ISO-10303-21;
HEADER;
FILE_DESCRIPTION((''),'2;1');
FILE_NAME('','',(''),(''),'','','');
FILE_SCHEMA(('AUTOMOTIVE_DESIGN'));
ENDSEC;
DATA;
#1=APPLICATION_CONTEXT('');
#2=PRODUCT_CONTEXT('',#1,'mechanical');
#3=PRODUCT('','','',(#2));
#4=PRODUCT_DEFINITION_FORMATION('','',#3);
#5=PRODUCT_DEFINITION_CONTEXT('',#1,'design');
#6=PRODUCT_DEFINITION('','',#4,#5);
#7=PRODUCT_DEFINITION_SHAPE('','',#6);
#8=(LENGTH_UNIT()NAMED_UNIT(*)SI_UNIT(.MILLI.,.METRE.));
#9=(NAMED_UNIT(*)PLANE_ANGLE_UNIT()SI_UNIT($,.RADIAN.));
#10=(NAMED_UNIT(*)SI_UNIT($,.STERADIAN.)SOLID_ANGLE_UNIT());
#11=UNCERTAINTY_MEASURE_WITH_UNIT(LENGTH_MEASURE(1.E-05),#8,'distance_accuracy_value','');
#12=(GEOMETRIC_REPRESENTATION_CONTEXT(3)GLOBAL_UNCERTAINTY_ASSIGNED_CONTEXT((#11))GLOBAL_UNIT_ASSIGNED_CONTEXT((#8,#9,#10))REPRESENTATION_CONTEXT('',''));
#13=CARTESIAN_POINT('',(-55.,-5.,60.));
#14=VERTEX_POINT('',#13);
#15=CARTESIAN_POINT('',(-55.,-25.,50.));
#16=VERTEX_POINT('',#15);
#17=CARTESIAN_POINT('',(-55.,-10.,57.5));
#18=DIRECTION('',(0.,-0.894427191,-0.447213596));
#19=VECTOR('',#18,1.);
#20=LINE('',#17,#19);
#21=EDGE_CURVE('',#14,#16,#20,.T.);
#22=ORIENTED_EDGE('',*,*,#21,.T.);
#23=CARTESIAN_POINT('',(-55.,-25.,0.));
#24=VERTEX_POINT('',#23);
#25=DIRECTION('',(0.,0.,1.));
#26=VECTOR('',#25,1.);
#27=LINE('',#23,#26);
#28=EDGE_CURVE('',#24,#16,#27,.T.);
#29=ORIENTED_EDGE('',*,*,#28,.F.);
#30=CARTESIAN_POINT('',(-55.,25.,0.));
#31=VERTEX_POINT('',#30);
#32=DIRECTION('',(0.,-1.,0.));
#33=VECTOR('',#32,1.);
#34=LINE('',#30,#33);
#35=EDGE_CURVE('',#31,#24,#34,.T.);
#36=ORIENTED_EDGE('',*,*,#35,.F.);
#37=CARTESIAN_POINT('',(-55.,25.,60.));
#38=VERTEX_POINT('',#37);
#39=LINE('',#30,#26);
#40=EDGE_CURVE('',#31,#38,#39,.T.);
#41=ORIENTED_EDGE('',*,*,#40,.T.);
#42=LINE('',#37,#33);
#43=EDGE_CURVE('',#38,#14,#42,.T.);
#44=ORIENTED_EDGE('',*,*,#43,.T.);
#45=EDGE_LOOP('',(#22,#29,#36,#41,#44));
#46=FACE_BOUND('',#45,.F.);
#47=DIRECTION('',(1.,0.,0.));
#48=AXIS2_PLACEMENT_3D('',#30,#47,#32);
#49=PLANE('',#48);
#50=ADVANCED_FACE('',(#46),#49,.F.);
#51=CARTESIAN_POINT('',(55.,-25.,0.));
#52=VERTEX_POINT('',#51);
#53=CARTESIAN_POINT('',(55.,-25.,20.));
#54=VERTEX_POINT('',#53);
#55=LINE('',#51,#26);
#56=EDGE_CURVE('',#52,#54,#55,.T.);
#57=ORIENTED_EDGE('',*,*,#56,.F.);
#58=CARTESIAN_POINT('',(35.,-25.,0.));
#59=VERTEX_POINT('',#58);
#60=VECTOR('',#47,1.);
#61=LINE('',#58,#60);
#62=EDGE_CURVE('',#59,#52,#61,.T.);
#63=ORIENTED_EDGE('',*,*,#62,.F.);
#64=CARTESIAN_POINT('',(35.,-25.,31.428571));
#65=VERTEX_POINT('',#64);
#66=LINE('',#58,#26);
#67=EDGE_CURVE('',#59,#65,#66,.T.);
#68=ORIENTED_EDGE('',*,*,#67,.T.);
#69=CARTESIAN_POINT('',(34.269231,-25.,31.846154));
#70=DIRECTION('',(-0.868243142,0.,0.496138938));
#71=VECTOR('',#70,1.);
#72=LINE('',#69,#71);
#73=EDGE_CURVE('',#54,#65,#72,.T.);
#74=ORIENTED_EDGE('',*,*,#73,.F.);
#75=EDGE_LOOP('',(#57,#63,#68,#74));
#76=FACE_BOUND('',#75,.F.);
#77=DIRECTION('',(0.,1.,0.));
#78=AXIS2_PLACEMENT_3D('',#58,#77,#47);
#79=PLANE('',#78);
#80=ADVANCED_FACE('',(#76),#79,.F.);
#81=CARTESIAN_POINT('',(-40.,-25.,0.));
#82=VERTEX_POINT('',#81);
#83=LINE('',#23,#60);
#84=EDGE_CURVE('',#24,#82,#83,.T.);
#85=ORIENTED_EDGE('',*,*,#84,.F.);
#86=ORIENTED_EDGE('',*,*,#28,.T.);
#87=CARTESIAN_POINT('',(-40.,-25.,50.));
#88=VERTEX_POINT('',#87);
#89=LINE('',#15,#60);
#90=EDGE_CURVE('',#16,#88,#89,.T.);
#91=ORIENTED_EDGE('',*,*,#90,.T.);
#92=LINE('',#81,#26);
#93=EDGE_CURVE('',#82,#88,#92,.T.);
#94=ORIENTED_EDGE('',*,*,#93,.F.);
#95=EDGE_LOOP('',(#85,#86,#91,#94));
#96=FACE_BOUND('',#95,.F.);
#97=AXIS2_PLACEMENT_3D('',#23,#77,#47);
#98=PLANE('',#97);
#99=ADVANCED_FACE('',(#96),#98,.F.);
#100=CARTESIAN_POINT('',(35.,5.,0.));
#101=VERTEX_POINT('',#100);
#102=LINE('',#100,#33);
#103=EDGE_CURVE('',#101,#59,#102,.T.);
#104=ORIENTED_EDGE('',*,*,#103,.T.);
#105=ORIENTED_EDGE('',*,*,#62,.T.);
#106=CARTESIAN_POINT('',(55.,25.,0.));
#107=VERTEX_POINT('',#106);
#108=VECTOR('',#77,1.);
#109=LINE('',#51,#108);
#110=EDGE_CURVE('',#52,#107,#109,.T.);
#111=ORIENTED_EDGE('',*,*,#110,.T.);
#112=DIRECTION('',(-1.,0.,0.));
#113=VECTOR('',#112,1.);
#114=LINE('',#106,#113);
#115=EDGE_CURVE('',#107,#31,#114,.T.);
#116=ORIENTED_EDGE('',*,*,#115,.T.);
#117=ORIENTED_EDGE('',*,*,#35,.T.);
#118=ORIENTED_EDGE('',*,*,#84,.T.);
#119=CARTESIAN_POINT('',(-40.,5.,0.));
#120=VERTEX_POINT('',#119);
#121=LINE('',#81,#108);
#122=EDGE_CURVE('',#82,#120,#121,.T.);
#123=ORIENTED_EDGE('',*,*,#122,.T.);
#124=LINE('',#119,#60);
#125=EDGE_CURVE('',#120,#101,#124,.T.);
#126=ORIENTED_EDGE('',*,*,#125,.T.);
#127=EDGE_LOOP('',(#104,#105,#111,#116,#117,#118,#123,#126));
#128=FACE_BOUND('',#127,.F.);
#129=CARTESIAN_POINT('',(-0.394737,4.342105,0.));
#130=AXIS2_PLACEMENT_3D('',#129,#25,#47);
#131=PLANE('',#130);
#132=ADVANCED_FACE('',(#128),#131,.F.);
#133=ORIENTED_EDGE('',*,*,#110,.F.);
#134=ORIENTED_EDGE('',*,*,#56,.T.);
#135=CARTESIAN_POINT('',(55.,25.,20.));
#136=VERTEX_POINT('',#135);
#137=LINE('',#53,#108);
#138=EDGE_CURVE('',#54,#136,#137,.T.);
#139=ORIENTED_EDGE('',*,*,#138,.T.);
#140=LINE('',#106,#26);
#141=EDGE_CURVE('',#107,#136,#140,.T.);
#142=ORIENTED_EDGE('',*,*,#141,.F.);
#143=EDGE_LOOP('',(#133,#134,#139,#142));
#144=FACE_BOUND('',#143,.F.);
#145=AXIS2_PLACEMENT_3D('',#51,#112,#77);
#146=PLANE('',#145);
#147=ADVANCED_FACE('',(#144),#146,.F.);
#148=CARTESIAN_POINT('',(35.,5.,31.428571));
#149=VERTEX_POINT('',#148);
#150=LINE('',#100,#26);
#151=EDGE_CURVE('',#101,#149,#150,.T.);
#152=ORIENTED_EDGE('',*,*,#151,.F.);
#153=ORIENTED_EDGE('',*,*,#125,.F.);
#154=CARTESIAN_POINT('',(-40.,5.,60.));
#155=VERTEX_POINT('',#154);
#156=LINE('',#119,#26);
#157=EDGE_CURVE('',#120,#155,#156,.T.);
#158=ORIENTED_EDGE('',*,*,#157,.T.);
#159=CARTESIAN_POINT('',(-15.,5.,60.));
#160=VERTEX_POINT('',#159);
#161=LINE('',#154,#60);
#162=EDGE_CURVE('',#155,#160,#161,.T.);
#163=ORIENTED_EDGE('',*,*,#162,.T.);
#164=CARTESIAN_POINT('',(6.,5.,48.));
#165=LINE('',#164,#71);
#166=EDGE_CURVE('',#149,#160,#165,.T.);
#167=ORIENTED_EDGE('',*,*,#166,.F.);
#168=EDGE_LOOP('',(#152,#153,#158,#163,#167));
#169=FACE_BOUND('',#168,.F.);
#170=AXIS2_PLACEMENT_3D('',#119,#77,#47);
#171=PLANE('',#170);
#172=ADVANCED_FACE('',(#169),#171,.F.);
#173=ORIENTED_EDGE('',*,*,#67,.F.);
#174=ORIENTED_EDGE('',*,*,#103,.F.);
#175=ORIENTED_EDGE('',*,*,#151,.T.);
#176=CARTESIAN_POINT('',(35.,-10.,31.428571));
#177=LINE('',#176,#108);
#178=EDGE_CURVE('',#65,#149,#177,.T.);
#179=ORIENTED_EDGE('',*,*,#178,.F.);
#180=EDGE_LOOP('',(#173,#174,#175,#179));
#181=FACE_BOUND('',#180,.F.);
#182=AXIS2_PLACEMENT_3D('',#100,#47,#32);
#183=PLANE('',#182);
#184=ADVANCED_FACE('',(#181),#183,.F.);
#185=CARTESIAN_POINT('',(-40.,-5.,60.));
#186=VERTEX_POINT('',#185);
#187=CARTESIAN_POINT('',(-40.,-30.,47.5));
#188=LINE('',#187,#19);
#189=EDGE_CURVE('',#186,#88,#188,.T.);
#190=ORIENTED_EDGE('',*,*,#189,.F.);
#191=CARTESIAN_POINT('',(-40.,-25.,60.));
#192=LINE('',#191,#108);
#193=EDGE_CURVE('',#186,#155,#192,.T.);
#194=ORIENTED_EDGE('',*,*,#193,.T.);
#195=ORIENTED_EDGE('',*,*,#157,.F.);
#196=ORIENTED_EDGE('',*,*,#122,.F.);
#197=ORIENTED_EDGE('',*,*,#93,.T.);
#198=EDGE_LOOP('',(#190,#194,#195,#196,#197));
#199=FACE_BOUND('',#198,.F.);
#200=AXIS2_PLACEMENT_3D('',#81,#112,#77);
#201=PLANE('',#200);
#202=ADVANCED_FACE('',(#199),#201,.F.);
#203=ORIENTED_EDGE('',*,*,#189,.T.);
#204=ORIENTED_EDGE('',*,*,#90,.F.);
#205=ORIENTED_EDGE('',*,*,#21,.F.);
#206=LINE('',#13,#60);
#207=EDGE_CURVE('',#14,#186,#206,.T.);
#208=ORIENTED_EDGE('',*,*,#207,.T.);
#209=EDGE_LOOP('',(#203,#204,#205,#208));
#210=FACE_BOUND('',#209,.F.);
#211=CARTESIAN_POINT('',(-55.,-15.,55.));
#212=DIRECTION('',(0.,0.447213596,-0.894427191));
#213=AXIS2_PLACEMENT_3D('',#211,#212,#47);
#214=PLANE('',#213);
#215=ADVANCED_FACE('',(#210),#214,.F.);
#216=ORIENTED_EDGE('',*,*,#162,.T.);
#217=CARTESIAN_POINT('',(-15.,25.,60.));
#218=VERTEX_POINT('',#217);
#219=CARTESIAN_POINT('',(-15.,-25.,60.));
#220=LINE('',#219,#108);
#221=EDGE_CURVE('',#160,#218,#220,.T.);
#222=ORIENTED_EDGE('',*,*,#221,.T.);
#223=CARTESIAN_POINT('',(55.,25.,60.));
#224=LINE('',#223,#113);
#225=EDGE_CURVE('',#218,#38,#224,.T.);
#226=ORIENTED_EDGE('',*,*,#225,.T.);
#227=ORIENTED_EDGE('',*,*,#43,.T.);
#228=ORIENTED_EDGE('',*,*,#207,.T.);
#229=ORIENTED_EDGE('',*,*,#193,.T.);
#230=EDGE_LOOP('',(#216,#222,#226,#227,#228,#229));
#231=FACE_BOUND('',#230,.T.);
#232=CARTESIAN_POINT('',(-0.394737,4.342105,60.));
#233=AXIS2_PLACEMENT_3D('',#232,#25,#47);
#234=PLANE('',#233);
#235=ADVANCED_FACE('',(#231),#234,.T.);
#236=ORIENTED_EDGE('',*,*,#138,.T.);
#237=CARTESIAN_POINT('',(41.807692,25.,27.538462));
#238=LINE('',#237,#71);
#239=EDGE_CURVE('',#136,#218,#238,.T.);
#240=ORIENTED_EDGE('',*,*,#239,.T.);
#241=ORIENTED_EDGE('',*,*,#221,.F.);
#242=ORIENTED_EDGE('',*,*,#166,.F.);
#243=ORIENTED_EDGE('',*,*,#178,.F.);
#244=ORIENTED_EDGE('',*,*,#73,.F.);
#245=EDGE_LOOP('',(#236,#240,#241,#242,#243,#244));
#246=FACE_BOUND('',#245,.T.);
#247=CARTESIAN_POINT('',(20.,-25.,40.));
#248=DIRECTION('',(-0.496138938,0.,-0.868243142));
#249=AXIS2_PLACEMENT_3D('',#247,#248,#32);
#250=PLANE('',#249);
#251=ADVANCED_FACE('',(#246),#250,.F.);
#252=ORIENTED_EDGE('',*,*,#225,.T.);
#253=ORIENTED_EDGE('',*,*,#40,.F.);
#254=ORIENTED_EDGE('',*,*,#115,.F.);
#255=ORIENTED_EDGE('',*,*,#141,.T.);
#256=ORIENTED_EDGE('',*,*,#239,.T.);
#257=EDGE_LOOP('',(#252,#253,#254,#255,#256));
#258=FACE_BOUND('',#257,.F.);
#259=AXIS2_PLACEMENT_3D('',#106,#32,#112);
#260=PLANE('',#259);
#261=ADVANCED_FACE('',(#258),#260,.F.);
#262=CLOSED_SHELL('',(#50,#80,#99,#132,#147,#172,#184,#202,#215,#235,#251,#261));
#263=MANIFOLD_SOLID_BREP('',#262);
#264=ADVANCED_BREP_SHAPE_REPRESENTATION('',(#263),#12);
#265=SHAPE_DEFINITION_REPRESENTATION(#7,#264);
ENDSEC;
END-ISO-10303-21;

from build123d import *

# Parameters (mm, degrees)
F1_DEPTH = 60
F2_SIZE2 = 10
F2_SIZE  = 20
F3_SIZE2 = 70
F3_SIZE  = 40


with BuildPart() as f1:
    # F0 (on Top) → F1 (new body)
    with BuildSketch(Plane.XY):
        Polygon((55, 25), (-55, 25), (-55, -25), (-40, -25), (-40, 5), (35, 5), (35, -25), (55, -25), align=None)
    extrude(amount=F1_DEPTH)

    # F2
    f2_edges = [f1.edges().sort_by_distance(p)[0] for p in [
        (-47.5, -25, 60),
    ]]
    f2_side = f1.faces().sort_by_distance((1.730769, 6.923077, 60))[0]
    chamfer(f2_edges, length=F2_SIZE, length2=F2_SIZE2, reference=f2_side)

    # F3
    f3_edges = [f1.edges().sort_by_distance(p)[0] for p in [
        (55, 0, 60),
    ]]
    f3_side = f1.faces().sort_by_distance((55, 0, 30))[0]
    chamfer(f3_edges, length=F3_SIZE, length2=F3_SIZE2, reference=f3_side)


solid = f1.part
